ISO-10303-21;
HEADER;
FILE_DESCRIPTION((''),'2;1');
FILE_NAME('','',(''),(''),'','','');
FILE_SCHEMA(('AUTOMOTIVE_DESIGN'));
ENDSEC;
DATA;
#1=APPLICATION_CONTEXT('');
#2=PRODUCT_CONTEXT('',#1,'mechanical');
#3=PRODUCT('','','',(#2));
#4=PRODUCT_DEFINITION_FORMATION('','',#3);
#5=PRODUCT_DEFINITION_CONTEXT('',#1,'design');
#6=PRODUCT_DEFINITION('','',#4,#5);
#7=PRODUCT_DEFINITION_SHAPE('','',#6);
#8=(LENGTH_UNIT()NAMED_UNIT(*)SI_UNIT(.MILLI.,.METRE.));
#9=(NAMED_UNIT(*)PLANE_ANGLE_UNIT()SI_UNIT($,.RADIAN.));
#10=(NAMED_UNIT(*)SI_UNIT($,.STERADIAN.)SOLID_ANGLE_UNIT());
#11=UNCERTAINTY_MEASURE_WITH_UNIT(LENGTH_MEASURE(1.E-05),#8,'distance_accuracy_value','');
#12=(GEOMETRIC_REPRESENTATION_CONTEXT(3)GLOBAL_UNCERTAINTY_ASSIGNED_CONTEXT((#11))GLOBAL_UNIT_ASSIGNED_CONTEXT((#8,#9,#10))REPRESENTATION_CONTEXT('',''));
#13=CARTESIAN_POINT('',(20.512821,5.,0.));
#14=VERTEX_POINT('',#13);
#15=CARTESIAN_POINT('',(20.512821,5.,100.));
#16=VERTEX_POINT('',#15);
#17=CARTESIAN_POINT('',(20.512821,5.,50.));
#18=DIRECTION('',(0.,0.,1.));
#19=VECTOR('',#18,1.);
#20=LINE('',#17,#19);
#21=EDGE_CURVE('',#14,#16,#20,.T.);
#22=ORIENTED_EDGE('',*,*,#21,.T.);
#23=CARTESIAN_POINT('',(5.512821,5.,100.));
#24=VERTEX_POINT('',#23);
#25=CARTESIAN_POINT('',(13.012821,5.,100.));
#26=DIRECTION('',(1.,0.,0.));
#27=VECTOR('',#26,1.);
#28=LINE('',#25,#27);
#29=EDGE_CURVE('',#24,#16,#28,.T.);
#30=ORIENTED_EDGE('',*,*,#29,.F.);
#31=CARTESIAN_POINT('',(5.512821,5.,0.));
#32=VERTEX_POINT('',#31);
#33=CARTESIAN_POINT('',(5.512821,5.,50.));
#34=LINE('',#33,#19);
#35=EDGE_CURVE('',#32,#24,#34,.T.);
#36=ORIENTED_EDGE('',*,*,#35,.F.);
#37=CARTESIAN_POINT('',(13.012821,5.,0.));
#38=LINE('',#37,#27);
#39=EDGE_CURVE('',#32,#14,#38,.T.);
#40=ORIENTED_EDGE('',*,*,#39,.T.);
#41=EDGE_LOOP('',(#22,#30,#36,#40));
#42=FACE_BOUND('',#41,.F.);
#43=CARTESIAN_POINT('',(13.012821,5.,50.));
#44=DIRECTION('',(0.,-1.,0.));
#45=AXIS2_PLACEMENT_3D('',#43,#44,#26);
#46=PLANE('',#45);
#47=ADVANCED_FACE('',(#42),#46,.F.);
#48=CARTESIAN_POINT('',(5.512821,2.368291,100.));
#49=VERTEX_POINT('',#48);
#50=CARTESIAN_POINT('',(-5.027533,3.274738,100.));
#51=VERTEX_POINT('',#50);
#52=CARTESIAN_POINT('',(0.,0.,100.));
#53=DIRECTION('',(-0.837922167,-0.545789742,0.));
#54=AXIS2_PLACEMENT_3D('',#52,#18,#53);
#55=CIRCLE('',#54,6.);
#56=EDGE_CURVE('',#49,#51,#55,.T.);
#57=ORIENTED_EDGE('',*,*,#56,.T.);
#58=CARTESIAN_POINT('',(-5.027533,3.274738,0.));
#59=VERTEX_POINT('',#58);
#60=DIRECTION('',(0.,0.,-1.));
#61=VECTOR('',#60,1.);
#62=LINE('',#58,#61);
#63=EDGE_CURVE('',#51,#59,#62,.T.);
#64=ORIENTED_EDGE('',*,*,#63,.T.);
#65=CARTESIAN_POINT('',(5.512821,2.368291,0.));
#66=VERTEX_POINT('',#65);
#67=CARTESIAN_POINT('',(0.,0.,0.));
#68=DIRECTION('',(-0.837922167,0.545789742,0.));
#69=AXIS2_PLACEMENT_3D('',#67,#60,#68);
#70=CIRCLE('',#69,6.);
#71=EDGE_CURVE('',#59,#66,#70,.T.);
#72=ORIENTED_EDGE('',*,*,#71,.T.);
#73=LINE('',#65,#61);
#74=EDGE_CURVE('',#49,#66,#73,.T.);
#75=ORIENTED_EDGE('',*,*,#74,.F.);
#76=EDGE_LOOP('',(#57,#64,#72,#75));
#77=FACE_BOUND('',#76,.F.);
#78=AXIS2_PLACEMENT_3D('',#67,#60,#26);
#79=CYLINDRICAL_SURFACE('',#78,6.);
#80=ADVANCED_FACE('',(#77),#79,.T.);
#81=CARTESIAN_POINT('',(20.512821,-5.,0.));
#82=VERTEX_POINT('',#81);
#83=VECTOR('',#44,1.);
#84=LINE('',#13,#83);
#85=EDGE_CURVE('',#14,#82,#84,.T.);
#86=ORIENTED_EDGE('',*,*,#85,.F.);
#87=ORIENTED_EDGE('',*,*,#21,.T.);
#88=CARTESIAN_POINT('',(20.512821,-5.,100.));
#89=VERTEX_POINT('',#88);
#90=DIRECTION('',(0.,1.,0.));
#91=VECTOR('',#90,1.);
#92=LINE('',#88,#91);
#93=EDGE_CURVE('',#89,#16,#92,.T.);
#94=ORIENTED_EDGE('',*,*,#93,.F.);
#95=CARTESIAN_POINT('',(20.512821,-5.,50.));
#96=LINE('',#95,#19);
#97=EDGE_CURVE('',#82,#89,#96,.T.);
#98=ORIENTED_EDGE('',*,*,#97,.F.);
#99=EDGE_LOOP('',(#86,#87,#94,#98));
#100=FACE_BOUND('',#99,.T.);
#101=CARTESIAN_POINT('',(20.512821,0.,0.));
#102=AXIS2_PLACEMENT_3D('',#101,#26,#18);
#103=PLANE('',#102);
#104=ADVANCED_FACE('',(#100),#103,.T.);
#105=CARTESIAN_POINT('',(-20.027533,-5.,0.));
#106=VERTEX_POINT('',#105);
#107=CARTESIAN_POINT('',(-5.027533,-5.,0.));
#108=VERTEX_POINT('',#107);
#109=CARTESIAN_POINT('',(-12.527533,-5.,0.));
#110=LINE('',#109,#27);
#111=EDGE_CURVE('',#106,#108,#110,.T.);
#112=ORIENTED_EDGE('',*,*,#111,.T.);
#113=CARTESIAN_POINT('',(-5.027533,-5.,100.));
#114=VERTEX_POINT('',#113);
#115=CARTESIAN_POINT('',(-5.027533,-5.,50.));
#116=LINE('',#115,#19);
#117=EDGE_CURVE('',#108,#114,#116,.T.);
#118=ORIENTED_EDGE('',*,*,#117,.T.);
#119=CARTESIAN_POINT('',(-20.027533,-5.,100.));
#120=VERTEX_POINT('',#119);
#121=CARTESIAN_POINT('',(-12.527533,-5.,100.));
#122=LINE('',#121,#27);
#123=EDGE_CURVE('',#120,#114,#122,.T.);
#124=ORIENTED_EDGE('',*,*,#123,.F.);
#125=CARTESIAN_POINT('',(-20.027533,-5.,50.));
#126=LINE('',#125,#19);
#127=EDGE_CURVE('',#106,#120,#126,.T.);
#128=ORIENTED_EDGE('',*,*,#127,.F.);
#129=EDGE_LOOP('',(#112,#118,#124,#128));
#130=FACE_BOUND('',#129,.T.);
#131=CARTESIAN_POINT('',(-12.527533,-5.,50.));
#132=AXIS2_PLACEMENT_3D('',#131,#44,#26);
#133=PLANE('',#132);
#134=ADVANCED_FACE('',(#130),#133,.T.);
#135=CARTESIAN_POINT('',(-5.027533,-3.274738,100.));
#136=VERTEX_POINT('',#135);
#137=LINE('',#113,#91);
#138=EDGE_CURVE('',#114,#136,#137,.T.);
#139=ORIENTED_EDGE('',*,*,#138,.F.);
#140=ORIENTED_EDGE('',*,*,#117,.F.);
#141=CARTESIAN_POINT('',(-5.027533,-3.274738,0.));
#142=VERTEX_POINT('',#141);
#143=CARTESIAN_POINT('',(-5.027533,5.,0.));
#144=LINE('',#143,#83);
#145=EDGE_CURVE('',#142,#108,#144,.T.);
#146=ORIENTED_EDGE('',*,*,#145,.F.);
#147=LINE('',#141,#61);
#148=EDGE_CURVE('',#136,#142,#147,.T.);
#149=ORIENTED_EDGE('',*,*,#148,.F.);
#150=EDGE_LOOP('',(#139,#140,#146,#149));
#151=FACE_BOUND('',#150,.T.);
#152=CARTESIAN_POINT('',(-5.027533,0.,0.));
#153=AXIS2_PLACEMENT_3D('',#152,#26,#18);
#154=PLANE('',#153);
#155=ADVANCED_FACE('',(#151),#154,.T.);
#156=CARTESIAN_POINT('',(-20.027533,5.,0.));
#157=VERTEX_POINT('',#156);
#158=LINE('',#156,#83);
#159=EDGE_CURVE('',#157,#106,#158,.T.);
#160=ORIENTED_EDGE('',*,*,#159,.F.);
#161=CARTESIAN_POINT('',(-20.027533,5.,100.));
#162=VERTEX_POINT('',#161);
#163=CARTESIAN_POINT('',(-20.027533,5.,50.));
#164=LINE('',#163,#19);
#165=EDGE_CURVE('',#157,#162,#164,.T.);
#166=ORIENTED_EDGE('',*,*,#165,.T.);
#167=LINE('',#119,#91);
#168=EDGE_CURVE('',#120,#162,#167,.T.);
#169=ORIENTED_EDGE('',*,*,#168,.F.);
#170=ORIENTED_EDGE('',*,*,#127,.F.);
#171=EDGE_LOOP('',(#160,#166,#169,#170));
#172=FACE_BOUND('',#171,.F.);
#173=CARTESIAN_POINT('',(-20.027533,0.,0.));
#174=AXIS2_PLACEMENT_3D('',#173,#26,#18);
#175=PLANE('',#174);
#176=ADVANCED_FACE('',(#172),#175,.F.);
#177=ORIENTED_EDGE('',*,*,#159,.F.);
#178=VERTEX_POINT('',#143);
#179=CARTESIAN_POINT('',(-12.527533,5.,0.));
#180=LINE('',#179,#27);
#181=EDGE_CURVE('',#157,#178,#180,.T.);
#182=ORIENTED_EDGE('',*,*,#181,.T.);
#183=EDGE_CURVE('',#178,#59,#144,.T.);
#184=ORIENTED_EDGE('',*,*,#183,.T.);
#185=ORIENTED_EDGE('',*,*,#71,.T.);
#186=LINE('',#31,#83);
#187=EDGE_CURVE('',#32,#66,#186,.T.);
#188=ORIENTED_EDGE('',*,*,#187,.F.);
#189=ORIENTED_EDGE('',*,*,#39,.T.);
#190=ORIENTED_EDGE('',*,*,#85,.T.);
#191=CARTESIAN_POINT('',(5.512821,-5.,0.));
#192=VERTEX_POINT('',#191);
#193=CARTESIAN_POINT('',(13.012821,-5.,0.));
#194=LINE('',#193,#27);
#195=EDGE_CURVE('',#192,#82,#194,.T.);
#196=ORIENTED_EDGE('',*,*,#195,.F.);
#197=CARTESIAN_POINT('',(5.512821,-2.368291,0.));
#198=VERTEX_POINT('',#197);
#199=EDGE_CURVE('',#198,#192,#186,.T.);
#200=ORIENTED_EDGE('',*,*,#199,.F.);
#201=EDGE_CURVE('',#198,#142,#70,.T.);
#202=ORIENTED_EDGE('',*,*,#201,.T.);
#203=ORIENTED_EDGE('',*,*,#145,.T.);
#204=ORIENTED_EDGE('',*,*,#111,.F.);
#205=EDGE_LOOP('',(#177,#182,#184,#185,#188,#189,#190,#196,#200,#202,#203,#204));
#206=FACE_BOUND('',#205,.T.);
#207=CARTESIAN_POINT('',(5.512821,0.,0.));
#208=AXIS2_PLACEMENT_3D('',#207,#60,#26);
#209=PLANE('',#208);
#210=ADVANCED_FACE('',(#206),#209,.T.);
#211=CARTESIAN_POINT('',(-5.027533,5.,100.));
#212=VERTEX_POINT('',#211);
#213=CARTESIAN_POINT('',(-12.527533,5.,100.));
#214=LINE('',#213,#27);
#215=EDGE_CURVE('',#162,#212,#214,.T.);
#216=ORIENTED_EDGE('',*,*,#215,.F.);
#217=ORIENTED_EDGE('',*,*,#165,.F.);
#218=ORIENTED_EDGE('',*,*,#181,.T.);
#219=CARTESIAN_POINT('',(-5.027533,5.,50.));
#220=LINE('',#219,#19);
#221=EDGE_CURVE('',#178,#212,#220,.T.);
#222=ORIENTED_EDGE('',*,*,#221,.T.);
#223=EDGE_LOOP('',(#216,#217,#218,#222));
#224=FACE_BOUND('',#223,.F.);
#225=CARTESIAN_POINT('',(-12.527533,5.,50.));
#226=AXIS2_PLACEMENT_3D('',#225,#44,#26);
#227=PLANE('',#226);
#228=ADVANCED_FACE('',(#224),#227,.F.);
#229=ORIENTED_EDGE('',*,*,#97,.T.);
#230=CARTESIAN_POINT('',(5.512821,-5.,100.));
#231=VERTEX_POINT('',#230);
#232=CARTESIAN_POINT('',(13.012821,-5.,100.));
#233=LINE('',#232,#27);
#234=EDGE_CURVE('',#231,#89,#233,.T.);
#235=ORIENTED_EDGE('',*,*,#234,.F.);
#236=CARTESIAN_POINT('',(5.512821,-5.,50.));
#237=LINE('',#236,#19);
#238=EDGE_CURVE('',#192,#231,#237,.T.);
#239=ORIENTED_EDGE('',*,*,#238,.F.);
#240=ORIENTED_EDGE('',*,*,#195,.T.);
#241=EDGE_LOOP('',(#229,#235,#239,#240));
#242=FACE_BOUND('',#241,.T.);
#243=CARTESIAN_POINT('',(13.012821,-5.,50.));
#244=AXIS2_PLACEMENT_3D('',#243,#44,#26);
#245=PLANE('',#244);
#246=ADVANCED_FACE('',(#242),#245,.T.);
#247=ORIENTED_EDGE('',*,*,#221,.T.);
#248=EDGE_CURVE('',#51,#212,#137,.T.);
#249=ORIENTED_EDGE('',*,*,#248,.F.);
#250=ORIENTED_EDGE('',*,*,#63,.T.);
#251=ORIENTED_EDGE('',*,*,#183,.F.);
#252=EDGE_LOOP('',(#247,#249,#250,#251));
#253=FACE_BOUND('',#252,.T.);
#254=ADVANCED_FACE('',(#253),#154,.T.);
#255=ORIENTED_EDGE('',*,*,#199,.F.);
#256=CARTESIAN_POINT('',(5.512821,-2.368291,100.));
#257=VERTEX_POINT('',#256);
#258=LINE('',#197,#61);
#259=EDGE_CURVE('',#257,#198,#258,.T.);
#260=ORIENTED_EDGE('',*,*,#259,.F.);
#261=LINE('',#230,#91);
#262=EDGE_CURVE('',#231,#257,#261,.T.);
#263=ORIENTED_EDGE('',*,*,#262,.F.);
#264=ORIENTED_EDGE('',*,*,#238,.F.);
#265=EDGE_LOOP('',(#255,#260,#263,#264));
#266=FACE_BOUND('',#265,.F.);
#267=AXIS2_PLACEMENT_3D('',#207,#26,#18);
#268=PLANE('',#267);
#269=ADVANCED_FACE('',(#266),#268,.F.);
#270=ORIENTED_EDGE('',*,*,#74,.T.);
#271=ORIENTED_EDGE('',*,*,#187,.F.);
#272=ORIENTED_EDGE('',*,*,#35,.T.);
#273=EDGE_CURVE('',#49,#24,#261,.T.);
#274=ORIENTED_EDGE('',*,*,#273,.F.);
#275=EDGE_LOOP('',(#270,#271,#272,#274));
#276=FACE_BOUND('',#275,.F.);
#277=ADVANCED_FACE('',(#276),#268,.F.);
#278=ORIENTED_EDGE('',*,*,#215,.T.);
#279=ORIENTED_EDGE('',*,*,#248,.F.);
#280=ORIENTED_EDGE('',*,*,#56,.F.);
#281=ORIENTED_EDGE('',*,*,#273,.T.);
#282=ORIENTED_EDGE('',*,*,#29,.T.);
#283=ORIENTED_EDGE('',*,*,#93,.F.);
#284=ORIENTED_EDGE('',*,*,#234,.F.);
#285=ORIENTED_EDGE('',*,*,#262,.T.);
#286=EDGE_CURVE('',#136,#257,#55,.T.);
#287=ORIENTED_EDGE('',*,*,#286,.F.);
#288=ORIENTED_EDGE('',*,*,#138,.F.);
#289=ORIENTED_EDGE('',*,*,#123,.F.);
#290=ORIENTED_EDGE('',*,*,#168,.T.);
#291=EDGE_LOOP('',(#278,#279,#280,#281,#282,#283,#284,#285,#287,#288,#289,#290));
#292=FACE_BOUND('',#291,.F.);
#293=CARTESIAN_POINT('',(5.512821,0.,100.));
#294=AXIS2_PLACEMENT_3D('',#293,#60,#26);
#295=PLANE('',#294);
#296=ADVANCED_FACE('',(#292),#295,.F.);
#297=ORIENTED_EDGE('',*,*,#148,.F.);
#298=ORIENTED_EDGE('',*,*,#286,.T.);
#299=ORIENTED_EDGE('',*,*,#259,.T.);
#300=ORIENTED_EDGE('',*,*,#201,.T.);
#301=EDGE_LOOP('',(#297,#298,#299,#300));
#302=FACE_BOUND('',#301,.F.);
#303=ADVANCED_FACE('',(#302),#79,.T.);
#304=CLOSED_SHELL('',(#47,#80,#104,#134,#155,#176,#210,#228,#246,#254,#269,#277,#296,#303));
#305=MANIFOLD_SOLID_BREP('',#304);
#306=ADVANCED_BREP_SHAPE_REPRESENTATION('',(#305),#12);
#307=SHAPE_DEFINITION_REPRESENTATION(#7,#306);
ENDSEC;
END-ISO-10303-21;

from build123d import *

# Parameters (mm, degrees)
F0_R     = 6
F1_DEPTH = 100
F2_W     = 15
F2_H     = 100
F3_DEPTH = 5
F4_W     = 15
F4_H     = 100
F5_DEPTH = 5


with BuildPart() as f1:
    # F0 (on Top) → F1 (new body)
    with BuildSketch(Plane.XY):
        Circle(F0_R)
    extrude(amount=F1_DEPTH)

    # F2 (on Front) → F3 (join, symmetric)
    with BuildSketch(Plane.XZ):
        with Locations((-12.527533, 50)):
            Rectangle(F2_W, F2_H)
    extrude(amount=F3_DEPTH, both=True)

    # F4 (on Front) → F5 (join, symmetric)
    with BuildSketch(Plane.XZ):
        with Locations((13.012821, 50)):
            Rectangle(F4_W, F4_H)
    extrude(amount=F5_DEPTH, both=True)


solid = f1.part
